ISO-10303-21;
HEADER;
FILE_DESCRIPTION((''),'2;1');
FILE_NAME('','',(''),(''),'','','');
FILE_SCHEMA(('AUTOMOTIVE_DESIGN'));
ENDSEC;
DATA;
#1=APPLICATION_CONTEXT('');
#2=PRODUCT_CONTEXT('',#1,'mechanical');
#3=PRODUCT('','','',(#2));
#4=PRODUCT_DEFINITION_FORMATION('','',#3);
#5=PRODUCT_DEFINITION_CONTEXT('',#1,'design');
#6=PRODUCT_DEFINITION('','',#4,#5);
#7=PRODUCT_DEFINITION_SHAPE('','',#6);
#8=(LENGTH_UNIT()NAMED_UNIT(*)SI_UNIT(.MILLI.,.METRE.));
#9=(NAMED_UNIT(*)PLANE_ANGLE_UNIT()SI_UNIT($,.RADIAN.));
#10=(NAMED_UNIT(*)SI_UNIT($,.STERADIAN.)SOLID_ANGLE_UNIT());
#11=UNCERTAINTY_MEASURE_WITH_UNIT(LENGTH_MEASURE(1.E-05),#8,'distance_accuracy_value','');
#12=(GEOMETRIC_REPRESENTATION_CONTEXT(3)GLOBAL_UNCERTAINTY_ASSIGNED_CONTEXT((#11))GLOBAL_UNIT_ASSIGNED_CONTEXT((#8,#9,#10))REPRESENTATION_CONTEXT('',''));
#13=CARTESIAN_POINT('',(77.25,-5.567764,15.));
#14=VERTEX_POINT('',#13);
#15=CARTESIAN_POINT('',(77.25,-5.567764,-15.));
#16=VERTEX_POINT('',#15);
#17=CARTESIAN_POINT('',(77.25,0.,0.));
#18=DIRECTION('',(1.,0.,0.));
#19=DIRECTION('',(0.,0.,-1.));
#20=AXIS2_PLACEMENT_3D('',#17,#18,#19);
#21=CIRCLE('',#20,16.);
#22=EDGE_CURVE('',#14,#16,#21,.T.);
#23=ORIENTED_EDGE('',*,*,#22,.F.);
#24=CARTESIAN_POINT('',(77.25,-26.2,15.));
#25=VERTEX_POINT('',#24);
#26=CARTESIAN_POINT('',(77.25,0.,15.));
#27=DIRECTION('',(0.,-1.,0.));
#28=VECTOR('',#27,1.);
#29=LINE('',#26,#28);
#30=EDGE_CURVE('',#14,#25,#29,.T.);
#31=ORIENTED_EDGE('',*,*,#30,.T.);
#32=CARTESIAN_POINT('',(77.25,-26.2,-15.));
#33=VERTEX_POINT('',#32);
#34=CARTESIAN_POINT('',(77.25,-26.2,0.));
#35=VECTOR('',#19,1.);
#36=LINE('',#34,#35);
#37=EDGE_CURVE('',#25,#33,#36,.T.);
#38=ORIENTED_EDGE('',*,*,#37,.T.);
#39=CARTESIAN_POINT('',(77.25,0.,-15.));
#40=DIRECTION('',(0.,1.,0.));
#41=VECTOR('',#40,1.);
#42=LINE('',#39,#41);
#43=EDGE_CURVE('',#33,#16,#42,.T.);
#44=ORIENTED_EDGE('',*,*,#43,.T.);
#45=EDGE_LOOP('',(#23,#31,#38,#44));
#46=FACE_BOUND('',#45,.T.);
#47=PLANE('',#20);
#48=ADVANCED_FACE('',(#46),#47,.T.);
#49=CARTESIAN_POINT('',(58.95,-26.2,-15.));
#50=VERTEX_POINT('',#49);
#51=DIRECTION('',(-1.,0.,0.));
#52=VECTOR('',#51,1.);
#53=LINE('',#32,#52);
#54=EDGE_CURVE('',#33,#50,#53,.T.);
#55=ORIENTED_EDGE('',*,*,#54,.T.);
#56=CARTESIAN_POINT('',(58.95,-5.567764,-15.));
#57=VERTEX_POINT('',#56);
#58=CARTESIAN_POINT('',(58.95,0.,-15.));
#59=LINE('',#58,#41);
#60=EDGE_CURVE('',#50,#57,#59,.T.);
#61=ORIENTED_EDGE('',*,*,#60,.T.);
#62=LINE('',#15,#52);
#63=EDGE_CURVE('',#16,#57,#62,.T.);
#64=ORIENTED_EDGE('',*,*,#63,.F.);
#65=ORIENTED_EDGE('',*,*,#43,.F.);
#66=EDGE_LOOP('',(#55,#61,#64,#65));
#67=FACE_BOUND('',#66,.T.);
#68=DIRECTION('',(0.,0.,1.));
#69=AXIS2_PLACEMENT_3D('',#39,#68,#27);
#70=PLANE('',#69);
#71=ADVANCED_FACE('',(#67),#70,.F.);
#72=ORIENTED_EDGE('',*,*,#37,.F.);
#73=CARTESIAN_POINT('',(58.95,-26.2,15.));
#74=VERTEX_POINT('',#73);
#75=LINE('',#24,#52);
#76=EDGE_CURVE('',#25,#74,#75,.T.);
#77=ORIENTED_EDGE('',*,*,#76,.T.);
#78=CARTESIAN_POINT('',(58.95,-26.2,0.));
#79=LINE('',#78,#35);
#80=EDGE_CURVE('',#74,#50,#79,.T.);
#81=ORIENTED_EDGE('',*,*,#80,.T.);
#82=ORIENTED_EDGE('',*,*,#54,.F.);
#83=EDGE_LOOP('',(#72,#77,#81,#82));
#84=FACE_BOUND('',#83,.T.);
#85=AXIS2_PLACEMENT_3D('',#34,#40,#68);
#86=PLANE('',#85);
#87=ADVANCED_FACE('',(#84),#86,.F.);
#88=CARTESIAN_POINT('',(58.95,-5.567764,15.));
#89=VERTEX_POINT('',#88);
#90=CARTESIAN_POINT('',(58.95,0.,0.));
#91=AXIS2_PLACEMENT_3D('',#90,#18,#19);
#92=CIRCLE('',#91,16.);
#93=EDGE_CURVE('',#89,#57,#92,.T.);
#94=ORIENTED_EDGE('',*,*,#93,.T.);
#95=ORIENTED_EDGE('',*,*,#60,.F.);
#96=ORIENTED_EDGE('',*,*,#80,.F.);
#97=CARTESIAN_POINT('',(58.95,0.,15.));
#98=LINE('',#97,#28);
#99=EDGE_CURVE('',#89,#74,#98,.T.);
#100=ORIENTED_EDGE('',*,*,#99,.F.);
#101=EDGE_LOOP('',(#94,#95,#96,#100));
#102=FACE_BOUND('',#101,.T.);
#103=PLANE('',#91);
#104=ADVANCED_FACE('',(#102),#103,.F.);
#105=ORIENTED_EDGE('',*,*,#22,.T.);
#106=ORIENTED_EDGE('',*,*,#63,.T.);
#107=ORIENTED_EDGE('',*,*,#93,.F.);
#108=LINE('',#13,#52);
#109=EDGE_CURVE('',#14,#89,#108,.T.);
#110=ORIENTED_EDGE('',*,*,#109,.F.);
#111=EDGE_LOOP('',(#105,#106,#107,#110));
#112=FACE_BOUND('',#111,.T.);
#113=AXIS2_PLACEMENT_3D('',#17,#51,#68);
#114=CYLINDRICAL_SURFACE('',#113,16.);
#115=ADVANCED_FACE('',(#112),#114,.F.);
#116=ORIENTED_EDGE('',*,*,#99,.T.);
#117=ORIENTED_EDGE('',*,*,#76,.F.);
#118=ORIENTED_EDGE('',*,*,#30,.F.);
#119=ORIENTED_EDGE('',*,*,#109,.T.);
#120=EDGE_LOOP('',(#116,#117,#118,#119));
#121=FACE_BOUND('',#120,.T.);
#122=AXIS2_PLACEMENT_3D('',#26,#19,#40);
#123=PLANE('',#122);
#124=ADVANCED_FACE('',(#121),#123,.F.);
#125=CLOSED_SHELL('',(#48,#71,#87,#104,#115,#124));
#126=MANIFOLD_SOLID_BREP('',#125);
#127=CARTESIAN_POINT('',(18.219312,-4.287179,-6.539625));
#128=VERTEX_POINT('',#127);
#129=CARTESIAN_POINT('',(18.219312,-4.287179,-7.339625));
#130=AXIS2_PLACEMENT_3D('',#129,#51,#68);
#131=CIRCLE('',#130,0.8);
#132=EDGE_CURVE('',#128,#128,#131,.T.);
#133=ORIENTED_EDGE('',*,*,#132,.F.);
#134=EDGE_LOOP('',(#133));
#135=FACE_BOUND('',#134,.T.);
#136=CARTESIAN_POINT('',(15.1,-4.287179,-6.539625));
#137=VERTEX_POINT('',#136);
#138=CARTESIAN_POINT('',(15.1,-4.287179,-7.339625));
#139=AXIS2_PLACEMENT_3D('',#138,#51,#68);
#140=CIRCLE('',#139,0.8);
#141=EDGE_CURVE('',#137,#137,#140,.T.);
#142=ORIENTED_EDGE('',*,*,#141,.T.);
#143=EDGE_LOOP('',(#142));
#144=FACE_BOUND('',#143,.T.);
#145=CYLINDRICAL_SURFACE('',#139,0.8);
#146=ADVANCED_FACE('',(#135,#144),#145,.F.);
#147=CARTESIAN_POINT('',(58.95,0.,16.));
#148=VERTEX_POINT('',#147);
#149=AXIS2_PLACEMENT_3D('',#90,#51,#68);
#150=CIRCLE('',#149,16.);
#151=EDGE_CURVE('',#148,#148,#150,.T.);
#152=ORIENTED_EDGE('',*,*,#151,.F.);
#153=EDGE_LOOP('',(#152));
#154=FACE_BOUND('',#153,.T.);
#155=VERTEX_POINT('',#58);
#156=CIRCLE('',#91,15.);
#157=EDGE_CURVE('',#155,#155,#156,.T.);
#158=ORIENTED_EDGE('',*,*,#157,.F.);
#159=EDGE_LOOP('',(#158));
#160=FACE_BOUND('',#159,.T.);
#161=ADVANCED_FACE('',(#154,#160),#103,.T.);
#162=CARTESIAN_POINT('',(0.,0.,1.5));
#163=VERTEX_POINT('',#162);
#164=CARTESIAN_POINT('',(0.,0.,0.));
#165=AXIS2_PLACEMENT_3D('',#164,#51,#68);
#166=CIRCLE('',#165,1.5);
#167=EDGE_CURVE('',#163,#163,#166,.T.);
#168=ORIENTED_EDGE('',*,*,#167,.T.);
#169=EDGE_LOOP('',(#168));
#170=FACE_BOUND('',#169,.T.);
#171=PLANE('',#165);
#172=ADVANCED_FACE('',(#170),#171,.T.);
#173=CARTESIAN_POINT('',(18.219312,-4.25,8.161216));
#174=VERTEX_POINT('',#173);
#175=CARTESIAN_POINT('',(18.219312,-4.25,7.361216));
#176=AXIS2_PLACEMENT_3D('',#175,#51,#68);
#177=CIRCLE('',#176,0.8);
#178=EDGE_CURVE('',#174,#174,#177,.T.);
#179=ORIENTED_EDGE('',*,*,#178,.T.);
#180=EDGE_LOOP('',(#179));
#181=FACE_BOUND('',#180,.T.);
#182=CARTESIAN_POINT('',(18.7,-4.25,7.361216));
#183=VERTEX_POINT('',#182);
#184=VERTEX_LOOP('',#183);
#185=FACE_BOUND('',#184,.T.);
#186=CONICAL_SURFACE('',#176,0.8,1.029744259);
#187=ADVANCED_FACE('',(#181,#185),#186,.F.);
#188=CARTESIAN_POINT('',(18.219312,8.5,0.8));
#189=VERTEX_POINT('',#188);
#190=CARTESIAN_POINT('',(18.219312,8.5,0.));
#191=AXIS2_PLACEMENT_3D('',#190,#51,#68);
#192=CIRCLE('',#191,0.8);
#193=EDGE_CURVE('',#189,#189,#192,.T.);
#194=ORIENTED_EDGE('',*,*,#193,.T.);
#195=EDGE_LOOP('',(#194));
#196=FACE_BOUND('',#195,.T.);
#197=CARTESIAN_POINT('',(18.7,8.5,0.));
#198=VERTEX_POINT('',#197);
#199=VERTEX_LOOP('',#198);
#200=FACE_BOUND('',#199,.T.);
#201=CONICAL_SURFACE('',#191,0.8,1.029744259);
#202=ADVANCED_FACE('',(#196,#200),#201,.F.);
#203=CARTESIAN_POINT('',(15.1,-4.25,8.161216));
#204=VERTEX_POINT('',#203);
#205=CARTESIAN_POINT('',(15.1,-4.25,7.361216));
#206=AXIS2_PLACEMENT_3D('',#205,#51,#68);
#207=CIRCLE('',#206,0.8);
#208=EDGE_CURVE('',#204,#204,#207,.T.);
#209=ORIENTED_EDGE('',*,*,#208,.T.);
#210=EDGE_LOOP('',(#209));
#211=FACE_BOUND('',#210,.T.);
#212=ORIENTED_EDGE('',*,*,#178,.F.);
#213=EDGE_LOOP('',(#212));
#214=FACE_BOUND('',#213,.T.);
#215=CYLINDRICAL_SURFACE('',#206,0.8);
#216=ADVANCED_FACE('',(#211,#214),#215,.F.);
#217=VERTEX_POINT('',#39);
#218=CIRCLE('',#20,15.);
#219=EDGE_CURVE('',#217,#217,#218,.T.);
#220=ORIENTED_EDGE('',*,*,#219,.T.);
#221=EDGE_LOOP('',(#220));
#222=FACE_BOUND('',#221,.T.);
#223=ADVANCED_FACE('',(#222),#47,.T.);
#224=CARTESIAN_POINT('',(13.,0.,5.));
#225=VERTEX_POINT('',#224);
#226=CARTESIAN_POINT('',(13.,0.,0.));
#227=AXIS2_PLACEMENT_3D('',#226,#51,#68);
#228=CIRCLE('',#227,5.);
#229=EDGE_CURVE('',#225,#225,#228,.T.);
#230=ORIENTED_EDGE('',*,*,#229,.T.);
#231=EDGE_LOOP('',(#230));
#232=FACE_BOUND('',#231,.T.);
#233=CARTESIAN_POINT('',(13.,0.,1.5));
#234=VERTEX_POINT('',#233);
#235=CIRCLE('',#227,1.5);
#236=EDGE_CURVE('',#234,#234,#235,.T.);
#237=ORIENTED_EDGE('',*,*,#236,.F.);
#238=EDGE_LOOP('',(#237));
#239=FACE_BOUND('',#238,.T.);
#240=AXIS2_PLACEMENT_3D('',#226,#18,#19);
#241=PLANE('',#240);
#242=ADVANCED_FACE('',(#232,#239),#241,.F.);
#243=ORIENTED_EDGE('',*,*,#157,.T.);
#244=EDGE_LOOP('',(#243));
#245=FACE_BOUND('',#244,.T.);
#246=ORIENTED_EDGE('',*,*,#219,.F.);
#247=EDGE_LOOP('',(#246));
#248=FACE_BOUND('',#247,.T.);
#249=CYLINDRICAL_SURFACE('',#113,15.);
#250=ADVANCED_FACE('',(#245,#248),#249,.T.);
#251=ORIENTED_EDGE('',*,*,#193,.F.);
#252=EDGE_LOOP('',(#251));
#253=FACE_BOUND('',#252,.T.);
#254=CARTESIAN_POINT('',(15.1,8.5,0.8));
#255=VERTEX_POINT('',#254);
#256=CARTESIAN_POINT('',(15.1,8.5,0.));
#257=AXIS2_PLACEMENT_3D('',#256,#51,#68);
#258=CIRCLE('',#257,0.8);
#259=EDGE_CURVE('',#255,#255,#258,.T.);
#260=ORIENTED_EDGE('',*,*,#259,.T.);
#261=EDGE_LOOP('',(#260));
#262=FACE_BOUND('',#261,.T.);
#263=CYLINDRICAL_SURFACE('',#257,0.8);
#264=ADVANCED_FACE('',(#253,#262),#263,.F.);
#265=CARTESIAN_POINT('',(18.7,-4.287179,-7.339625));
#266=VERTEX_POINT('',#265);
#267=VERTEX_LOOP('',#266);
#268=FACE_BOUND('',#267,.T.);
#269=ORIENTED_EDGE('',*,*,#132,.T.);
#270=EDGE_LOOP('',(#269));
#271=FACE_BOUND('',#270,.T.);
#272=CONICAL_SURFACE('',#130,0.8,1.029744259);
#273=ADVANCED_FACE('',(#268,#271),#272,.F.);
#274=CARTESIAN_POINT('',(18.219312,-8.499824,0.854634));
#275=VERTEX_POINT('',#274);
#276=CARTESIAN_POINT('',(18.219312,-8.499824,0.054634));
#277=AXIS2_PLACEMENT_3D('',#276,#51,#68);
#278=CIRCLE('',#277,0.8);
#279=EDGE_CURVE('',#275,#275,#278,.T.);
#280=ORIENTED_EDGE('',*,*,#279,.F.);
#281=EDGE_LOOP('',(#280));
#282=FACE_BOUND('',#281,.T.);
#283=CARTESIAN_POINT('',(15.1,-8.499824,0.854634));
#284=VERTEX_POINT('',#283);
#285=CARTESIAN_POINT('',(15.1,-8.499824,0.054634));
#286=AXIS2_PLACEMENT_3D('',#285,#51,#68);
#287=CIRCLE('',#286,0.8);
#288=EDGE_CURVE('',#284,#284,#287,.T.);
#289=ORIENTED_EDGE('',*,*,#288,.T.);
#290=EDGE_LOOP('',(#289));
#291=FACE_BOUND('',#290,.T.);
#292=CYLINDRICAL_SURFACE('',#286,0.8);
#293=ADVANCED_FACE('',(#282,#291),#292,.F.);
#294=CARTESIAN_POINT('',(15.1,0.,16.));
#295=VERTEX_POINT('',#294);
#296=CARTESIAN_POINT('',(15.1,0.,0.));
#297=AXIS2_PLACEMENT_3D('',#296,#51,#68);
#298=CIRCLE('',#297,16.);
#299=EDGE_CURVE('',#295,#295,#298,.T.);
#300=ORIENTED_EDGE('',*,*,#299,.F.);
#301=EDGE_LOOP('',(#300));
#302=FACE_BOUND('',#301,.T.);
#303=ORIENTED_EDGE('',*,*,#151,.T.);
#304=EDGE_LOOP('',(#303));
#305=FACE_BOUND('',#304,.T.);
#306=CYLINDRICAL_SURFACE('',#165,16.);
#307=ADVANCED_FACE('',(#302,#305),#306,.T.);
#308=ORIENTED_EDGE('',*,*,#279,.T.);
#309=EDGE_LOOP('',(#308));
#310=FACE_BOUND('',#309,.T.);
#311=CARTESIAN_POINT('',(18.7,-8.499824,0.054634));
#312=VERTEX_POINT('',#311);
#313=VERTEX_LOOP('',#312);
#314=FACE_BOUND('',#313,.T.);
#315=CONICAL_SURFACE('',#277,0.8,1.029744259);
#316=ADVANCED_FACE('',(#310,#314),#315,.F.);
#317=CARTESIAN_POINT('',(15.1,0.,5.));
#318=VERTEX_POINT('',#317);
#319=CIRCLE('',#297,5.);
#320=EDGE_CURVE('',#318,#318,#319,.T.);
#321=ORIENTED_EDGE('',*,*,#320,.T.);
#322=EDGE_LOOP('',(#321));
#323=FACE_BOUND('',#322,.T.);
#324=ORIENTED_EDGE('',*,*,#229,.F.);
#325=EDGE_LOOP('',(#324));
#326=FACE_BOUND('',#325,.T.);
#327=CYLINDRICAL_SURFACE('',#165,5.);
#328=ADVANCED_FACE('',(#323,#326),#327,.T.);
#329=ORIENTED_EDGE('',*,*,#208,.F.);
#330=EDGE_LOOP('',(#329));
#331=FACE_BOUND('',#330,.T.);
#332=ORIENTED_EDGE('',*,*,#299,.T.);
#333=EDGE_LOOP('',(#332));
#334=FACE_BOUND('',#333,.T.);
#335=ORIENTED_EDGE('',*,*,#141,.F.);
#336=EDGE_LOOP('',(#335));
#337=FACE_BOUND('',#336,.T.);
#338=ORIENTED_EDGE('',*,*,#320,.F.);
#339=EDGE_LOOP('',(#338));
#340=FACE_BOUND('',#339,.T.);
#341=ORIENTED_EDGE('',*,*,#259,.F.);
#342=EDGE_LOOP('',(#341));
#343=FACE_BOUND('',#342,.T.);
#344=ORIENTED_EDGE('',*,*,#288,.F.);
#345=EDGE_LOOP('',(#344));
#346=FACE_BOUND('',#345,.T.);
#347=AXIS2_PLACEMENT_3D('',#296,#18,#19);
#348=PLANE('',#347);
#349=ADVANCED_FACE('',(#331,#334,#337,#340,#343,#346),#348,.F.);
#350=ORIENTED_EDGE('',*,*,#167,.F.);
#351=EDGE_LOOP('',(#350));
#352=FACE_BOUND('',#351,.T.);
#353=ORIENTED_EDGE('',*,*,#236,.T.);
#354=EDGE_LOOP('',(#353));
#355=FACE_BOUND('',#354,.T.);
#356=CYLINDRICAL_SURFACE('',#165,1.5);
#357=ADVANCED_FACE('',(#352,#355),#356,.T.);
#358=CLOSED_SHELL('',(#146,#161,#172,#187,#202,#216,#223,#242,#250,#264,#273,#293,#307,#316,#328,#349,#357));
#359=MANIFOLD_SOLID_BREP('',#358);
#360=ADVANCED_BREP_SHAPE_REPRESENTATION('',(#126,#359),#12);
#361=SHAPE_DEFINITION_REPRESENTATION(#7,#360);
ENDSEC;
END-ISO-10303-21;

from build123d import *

# Parameters (mm, degrees)
SKETCH1_W                   = 13
SKETCH1_H                   = 1.5
BOSS_EXTRUDE1_DEPTH         = 18.3
TAP_DRILL_FOR_M2_TAP1_D     = 1.6
TAP_DRILL_FOR_M2_TAP1_DEPTH = 3.119311505
TAP_DRILL_FOR_M2_TAP1_TIP   = 0.480688495


with BuildPart() as part:
    # Sketch1 → Revolve3 (revolve)
    with BuildSketch(Plane(origin=(0, 0, 0), x_dir=(1, 0, 0), z_dir=(0, 1, 0))):
        with Locations((6.5, 0.75)):
            Rectangle(SKETCH1_W, SKETCH1_H)
        Polygon((13, 1.5), (13, 0), (15.1, 0), (15.1, 5), (13, 5), align=None)
        Polygon((15.1, 5), (15.1, 0), (58.95, 0), (58.95, 16), (15.1, 16), align=None)
    revolve(axis=Axis((0, 0, 0), (1, 0, 0)))

    # Sketch2 → Boss-Extrude1 (add)
    with BuildSketch(Plane(origin=(58.95, 0, 0), x_dir=(0, 0, -1), z_dir=(1, 0, 0))):
        with BuildLine():
            ThreePointArc((15, -5.567764363), (0, -16), (-15, -5.567764363))
            Line((-15, -5.567764363), (-15, -26.2))
            Line((-15, -26.2), (15, -26.2))
            Line((15, -26.2), (15, -5.567764363))
        make_face()
        with BuildLine():
            Line((15, 0), (0, 0))
            Line((0, 0), (-15, 0))
            ThreePointArc((-15, 0), (0, -15), (15, 0))
        make_face()
        with BuildLine():
            Line((-15, 0), (0, 0))
            Line((0, 0), (15, 0))
            ThreePointArc((15, 0), (0, 15), (-15, 0))
        make_face()
    extrude(amount=BOSS_EXTRUDE1_DEPTH)

    # Tap Drill for M2 Tap1
    with Locations(Plane(origin=(15.1, 8.5, 0), x_dir=(0, 0, -1), z_dir=(-1, 0, 0))):
        with Locations((0, 0), (7.339624938, 12.787179232), (-7.361215932, 12.75), (-0.054633803, 16.999824419)):
            Hole(TAP_DRILL_FOR_M2_TAP1_D / 2, depth=TAP_DRILL_FOR_M2_TAP1_DEPTH)
            with Locations((0, 0, -(TAP_DRILL_FOR_M2_TAP1_DEPTH + TAP_DRILL_FOR_M2_TAP1_TIP / 2))):  # 118° drill point
                Cone(0, TAP_DRILL_FOR_M2_TAP1_D / 2, TAP_DRILL_FOR_M2_TAP1_TIP, mode=Mode.SUBTRACT)


solid = part.part
